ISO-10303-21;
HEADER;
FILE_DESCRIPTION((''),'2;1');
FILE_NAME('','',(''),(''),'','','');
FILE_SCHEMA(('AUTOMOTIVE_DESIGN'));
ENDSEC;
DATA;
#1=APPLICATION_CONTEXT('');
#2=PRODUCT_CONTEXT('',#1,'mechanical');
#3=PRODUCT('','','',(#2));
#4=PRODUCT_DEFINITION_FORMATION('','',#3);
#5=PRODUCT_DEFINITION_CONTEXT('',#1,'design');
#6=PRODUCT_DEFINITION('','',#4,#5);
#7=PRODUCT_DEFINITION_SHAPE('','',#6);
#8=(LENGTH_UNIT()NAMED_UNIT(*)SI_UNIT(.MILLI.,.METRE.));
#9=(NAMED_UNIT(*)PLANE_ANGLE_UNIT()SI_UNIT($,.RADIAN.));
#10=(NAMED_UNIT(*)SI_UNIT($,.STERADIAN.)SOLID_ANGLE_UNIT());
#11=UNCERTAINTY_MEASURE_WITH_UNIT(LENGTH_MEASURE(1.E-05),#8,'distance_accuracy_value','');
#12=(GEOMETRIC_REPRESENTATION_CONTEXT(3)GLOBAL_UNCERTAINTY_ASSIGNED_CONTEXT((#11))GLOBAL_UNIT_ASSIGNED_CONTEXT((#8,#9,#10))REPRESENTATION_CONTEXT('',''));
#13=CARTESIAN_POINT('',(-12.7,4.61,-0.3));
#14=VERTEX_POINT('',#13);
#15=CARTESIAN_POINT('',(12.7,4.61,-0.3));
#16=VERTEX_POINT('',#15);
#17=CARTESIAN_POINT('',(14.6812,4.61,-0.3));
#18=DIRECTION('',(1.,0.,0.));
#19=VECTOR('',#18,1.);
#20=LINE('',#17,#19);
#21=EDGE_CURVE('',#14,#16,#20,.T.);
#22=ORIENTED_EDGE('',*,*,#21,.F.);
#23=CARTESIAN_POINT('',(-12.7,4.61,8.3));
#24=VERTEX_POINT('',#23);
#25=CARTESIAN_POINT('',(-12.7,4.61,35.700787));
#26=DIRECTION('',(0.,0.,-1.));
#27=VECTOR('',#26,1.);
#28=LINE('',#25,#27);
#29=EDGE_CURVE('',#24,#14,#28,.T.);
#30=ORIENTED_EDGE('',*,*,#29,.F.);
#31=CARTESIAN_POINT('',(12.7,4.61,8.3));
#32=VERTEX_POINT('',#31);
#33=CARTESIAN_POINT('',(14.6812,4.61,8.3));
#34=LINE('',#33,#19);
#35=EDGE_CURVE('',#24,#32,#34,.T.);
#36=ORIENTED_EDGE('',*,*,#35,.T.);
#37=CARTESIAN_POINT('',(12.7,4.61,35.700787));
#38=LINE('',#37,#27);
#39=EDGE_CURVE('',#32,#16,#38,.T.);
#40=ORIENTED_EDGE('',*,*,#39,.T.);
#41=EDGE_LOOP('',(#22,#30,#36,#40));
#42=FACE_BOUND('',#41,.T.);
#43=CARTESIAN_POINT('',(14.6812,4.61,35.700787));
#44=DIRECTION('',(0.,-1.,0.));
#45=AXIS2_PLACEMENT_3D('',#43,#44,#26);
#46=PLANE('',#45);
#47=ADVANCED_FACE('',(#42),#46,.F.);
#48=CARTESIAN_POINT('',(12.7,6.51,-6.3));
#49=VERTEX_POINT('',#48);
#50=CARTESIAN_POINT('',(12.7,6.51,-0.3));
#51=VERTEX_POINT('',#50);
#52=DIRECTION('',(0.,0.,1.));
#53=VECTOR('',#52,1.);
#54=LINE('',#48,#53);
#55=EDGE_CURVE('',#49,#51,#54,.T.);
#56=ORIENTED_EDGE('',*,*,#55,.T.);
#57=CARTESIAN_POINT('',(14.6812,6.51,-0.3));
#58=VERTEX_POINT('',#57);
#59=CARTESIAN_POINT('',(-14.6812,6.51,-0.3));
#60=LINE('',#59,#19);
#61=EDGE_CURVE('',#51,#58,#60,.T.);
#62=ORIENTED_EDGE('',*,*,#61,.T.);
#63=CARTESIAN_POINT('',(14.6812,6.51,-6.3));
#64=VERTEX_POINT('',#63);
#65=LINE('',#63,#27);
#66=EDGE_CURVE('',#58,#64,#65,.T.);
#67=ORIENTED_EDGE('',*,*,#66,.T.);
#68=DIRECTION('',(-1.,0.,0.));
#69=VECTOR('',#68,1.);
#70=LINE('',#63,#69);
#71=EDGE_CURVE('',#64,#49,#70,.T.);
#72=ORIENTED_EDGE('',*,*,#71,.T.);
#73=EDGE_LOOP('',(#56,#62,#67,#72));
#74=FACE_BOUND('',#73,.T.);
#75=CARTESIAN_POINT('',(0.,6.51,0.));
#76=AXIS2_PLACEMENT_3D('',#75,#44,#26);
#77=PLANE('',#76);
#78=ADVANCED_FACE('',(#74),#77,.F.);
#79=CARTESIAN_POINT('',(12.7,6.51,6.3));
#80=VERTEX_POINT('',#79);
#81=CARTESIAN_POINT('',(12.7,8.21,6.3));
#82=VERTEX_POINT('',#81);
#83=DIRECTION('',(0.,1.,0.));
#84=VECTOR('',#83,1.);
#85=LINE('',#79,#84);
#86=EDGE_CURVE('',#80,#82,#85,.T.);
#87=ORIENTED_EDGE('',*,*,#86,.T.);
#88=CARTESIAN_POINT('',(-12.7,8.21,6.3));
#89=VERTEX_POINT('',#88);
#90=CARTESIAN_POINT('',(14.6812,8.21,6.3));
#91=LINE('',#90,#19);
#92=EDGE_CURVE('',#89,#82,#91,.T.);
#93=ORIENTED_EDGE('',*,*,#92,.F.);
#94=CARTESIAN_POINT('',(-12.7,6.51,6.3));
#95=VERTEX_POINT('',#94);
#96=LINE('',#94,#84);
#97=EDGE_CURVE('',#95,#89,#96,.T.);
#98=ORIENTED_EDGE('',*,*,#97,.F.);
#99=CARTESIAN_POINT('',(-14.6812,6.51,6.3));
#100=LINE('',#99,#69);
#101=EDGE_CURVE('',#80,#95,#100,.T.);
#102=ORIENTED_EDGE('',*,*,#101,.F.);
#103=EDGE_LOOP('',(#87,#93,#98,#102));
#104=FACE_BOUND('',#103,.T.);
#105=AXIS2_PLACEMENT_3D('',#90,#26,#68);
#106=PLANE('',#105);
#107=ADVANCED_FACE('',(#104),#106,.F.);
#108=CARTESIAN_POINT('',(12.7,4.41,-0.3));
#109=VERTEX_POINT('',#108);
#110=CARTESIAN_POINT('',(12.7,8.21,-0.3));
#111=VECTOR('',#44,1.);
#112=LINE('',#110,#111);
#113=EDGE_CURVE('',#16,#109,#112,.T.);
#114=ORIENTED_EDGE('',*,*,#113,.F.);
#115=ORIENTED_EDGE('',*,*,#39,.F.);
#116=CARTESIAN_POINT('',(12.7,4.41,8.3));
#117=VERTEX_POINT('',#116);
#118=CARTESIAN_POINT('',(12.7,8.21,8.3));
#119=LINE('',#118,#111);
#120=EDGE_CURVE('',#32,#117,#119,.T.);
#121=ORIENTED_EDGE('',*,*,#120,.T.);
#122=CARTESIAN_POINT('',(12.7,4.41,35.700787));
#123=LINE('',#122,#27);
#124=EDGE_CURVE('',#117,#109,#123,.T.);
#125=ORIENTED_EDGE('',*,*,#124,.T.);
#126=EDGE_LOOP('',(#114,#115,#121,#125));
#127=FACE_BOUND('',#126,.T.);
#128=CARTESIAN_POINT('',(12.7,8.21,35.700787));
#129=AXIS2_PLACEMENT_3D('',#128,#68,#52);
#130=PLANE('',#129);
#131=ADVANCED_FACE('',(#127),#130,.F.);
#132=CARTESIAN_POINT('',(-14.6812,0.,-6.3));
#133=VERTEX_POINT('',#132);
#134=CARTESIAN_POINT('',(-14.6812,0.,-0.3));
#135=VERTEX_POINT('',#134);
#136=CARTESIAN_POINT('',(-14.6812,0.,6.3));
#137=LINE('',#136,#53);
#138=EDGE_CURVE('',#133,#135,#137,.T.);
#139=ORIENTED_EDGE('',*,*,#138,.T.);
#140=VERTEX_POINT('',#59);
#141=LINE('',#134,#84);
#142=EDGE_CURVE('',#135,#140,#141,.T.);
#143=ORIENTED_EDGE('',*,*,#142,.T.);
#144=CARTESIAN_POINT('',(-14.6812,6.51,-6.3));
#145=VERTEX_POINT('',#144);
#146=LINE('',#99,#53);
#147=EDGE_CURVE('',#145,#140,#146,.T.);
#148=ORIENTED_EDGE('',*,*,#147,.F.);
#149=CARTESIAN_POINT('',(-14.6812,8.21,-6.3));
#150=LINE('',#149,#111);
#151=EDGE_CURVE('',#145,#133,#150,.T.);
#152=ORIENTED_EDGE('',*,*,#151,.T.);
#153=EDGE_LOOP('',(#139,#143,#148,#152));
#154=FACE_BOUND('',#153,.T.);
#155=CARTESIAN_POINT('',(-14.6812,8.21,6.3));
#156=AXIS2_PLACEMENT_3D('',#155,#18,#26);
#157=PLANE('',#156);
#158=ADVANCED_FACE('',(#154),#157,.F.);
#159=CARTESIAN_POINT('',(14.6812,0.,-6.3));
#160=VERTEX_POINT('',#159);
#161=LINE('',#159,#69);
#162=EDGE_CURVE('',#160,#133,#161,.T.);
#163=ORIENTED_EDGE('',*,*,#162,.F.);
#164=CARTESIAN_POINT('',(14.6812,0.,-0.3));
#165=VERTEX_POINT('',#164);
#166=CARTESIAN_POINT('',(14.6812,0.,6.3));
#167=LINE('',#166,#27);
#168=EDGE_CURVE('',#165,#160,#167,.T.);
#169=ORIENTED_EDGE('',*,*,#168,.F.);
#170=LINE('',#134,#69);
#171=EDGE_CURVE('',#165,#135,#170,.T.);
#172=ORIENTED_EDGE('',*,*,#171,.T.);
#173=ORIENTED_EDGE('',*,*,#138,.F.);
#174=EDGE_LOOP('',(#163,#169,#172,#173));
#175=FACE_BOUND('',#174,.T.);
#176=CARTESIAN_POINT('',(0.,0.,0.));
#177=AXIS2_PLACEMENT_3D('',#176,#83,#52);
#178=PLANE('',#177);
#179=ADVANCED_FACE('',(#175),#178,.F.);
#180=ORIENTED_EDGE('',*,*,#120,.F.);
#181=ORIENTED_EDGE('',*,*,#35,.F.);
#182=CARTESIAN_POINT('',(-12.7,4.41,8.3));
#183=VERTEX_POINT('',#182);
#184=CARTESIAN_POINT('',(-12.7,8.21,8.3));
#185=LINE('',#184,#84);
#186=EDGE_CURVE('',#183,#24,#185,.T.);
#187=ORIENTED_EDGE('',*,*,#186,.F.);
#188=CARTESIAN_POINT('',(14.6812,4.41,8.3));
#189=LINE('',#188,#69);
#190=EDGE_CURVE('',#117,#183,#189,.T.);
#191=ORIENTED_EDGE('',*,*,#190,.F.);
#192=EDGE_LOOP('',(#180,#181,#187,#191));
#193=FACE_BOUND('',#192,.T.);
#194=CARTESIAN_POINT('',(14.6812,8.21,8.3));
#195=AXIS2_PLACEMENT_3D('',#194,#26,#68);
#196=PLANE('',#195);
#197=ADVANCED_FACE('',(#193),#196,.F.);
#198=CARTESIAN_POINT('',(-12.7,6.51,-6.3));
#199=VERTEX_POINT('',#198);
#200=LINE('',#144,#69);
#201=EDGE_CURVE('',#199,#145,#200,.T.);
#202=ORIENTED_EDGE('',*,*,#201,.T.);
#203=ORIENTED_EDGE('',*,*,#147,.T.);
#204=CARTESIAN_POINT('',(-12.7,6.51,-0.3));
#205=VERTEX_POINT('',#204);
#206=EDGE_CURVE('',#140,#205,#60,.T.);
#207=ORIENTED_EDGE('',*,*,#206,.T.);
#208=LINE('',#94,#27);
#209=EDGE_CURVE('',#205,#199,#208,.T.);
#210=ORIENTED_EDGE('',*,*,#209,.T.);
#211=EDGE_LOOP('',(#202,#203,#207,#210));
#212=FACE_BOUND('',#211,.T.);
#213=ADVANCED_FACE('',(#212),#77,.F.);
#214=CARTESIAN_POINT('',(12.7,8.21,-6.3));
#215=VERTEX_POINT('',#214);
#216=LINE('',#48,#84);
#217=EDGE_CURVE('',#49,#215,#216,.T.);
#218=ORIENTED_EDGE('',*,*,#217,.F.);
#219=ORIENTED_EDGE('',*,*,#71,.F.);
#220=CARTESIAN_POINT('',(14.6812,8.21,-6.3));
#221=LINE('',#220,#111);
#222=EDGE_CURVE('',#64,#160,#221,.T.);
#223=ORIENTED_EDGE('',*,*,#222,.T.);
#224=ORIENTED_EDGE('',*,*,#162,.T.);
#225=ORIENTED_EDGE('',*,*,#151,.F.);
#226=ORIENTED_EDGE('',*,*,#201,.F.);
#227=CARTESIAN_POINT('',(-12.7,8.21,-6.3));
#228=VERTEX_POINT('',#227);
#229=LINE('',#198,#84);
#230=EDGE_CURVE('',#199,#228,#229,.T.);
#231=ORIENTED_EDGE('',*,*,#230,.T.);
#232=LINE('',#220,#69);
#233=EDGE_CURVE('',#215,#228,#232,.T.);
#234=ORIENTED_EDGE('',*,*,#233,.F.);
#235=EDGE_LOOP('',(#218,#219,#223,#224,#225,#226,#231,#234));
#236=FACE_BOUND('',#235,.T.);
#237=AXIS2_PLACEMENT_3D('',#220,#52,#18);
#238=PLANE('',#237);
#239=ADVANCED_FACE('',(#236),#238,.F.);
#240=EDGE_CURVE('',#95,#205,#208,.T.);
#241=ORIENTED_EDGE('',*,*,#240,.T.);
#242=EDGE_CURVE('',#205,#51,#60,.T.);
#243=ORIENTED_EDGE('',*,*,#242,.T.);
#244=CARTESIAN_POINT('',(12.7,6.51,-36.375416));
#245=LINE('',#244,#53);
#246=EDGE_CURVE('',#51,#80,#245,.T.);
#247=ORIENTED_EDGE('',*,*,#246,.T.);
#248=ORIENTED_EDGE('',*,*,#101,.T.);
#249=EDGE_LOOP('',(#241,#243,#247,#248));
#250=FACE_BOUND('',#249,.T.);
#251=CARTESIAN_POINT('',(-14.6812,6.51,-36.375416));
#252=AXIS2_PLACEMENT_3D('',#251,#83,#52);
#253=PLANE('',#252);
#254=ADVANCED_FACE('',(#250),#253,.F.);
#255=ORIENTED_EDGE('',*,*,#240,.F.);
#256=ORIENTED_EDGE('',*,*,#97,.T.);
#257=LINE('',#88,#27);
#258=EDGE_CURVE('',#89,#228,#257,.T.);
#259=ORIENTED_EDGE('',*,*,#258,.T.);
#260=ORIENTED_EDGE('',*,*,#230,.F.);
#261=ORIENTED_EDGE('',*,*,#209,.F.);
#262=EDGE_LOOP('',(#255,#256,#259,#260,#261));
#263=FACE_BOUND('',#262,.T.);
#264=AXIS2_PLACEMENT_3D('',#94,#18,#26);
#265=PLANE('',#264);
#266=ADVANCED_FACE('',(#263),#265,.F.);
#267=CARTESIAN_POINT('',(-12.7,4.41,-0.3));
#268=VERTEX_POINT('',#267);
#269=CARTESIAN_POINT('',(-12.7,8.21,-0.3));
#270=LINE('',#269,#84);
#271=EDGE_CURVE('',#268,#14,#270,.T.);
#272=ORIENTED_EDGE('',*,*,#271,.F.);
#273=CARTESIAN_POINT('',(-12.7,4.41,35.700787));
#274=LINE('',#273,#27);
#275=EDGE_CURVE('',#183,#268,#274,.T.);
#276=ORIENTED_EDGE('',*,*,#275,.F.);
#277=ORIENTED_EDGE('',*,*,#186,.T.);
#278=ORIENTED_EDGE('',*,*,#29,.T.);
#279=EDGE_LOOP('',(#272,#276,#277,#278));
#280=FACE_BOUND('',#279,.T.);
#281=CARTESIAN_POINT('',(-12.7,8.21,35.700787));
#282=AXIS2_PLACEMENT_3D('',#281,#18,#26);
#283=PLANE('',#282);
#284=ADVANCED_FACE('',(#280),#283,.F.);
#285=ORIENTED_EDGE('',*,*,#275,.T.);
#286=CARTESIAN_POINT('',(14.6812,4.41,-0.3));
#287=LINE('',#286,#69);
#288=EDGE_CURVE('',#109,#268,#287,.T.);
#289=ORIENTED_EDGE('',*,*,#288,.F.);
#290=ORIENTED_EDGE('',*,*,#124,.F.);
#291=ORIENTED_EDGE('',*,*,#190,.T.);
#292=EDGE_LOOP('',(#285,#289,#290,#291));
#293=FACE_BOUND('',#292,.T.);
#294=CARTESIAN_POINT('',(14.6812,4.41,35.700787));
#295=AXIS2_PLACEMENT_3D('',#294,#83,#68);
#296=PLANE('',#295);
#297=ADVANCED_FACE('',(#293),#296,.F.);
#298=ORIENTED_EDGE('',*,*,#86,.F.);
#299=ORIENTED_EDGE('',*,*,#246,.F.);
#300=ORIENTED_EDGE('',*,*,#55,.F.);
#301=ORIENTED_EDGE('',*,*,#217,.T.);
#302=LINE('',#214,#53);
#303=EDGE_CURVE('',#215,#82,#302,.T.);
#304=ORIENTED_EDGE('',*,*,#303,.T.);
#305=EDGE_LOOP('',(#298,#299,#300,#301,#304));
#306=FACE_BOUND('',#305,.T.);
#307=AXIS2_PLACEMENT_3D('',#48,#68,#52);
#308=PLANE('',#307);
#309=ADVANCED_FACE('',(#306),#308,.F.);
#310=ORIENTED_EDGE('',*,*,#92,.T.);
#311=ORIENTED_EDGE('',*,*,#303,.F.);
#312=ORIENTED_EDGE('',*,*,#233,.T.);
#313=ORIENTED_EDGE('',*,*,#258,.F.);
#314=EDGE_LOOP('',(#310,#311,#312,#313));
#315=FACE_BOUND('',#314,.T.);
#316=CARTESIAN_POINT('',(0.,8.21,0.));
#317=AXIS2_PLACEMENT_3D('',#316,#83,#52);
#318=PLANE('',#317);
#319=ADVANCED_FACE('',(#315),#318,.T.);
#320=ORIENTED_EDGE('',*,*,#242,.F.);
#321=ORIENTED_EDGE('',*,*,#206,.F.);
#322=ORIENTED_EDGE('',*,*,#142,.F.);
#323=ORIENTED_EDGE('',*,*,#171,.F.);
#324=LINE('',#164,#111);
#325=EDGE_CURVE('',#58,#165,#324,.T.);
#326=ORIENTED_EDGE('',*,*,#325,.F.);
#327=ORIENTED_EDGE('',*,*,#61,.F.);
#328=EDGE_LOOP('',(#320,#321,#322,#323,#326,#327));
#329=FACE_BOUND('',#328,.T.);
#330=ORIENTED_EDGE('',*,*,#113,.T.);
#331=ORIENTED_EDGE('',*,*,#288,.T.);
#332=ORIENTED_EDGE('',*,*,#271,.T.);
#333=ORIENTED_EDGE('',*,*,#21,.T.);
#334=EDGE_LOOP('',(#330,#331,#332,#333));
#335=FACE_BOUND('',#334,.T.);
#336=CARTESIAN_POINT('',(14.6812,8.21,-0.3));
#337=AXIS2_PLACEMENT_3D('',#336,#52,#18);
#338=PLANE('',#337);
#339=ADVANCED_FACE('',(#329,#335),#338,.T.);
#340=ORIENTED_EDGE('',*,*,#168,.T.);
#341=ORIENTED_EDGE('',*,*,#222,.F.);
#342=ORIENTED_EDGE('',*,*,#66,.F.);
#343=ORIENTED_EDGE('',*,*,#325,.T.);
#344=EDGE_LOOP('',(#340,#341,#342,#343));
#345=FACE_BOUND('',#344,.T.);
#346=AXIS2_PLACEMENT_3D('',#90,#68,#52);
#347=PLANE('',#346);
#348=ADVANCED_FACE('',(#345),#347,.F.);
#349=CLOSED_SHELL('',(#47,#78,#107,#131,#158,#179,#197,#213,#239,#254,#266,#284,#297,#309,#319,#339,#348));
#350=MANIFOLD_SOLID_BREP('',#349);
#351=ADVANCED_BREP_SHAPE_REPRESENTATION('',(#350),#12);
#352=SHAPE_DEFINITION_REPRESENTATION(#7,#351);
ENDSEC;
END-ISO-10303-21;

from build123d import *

# Parameters (mm, degrees)
SKETCH1_W           = 29.3624
SKETCH1_H           = 12.6
BOSS_EXTRUDE1_DEPTH = 8.21
SKETCH4_W           = 29.3624
SKETCH4_H           = 6.51
CUT_EXTRUDE2_DEPTH  = 6.6
BOSS_EXTRUDE2_START = -12.6
SKETCH2_W           = 25.4
SKETCH2_H           = 0.2
BOSS_EXTRUDE2_DEPTH = 14.6
SKETCH3_W           = 1.9812
SKETCH3_H           = 12.6
CUT_EXTRUDE1_DEPTH  = 1.7


with BuildPart() as part:
    # Sketch1 → Boss-Extrude1 (new body)
    with BuildSketch(Plane(origin=(0, 0, 0), x_dir=(1, 0, 0), z_dir=(0, 1, 0))):
        Rectangle(SKETCH1_W, SKETCH1_H)
    extrude(amount=BOSS_EXTRUDE1_DEPTH)

    # Sketch4 → Cut-Extrude2 (cut)
    with BuildSketch(Plane.XY.offset(6.3)):
        with Locations((0, 3.255)):
            Rectangle(SKETCH4_W, SKETCH4_H)
    extrude(amount=-CUT_EXTRUDE2_DEPTH, mode=Mode.SUBTRACT)

    # Sketch2 → Boss-Extrude2 (add)
    with BuildSketch(Plane.XY.offset(6.3).offset(BOSS_EXTRUDE2_START)):
        with Locations((0, 4.51)):
            Rectangle(SKETCH2_W, SKETCH2_H)
    extrude(amount=BOSS_EXTRUDE2_DEPTH)

    # Sketch3 → Cut-Extrude1 (cut)
    with BuildSketch(Plane(origin=(0, 8.21, 0), x_dir=(1, 0, 0), z_dir=(0, 1, 0))):
        with Locations((-13.6906, 0)):
            Rectangle(SKETCH3_W, SKETCH3_H)
        with Locations((13.6906, 0)):
            Rectangle(SKETCH3_W, SKETCH3_H)
    extrude(amount=-CUT_EXTRUDE1_DEPTH, mode=Mode.SUBTRACT)


solid = part.part
